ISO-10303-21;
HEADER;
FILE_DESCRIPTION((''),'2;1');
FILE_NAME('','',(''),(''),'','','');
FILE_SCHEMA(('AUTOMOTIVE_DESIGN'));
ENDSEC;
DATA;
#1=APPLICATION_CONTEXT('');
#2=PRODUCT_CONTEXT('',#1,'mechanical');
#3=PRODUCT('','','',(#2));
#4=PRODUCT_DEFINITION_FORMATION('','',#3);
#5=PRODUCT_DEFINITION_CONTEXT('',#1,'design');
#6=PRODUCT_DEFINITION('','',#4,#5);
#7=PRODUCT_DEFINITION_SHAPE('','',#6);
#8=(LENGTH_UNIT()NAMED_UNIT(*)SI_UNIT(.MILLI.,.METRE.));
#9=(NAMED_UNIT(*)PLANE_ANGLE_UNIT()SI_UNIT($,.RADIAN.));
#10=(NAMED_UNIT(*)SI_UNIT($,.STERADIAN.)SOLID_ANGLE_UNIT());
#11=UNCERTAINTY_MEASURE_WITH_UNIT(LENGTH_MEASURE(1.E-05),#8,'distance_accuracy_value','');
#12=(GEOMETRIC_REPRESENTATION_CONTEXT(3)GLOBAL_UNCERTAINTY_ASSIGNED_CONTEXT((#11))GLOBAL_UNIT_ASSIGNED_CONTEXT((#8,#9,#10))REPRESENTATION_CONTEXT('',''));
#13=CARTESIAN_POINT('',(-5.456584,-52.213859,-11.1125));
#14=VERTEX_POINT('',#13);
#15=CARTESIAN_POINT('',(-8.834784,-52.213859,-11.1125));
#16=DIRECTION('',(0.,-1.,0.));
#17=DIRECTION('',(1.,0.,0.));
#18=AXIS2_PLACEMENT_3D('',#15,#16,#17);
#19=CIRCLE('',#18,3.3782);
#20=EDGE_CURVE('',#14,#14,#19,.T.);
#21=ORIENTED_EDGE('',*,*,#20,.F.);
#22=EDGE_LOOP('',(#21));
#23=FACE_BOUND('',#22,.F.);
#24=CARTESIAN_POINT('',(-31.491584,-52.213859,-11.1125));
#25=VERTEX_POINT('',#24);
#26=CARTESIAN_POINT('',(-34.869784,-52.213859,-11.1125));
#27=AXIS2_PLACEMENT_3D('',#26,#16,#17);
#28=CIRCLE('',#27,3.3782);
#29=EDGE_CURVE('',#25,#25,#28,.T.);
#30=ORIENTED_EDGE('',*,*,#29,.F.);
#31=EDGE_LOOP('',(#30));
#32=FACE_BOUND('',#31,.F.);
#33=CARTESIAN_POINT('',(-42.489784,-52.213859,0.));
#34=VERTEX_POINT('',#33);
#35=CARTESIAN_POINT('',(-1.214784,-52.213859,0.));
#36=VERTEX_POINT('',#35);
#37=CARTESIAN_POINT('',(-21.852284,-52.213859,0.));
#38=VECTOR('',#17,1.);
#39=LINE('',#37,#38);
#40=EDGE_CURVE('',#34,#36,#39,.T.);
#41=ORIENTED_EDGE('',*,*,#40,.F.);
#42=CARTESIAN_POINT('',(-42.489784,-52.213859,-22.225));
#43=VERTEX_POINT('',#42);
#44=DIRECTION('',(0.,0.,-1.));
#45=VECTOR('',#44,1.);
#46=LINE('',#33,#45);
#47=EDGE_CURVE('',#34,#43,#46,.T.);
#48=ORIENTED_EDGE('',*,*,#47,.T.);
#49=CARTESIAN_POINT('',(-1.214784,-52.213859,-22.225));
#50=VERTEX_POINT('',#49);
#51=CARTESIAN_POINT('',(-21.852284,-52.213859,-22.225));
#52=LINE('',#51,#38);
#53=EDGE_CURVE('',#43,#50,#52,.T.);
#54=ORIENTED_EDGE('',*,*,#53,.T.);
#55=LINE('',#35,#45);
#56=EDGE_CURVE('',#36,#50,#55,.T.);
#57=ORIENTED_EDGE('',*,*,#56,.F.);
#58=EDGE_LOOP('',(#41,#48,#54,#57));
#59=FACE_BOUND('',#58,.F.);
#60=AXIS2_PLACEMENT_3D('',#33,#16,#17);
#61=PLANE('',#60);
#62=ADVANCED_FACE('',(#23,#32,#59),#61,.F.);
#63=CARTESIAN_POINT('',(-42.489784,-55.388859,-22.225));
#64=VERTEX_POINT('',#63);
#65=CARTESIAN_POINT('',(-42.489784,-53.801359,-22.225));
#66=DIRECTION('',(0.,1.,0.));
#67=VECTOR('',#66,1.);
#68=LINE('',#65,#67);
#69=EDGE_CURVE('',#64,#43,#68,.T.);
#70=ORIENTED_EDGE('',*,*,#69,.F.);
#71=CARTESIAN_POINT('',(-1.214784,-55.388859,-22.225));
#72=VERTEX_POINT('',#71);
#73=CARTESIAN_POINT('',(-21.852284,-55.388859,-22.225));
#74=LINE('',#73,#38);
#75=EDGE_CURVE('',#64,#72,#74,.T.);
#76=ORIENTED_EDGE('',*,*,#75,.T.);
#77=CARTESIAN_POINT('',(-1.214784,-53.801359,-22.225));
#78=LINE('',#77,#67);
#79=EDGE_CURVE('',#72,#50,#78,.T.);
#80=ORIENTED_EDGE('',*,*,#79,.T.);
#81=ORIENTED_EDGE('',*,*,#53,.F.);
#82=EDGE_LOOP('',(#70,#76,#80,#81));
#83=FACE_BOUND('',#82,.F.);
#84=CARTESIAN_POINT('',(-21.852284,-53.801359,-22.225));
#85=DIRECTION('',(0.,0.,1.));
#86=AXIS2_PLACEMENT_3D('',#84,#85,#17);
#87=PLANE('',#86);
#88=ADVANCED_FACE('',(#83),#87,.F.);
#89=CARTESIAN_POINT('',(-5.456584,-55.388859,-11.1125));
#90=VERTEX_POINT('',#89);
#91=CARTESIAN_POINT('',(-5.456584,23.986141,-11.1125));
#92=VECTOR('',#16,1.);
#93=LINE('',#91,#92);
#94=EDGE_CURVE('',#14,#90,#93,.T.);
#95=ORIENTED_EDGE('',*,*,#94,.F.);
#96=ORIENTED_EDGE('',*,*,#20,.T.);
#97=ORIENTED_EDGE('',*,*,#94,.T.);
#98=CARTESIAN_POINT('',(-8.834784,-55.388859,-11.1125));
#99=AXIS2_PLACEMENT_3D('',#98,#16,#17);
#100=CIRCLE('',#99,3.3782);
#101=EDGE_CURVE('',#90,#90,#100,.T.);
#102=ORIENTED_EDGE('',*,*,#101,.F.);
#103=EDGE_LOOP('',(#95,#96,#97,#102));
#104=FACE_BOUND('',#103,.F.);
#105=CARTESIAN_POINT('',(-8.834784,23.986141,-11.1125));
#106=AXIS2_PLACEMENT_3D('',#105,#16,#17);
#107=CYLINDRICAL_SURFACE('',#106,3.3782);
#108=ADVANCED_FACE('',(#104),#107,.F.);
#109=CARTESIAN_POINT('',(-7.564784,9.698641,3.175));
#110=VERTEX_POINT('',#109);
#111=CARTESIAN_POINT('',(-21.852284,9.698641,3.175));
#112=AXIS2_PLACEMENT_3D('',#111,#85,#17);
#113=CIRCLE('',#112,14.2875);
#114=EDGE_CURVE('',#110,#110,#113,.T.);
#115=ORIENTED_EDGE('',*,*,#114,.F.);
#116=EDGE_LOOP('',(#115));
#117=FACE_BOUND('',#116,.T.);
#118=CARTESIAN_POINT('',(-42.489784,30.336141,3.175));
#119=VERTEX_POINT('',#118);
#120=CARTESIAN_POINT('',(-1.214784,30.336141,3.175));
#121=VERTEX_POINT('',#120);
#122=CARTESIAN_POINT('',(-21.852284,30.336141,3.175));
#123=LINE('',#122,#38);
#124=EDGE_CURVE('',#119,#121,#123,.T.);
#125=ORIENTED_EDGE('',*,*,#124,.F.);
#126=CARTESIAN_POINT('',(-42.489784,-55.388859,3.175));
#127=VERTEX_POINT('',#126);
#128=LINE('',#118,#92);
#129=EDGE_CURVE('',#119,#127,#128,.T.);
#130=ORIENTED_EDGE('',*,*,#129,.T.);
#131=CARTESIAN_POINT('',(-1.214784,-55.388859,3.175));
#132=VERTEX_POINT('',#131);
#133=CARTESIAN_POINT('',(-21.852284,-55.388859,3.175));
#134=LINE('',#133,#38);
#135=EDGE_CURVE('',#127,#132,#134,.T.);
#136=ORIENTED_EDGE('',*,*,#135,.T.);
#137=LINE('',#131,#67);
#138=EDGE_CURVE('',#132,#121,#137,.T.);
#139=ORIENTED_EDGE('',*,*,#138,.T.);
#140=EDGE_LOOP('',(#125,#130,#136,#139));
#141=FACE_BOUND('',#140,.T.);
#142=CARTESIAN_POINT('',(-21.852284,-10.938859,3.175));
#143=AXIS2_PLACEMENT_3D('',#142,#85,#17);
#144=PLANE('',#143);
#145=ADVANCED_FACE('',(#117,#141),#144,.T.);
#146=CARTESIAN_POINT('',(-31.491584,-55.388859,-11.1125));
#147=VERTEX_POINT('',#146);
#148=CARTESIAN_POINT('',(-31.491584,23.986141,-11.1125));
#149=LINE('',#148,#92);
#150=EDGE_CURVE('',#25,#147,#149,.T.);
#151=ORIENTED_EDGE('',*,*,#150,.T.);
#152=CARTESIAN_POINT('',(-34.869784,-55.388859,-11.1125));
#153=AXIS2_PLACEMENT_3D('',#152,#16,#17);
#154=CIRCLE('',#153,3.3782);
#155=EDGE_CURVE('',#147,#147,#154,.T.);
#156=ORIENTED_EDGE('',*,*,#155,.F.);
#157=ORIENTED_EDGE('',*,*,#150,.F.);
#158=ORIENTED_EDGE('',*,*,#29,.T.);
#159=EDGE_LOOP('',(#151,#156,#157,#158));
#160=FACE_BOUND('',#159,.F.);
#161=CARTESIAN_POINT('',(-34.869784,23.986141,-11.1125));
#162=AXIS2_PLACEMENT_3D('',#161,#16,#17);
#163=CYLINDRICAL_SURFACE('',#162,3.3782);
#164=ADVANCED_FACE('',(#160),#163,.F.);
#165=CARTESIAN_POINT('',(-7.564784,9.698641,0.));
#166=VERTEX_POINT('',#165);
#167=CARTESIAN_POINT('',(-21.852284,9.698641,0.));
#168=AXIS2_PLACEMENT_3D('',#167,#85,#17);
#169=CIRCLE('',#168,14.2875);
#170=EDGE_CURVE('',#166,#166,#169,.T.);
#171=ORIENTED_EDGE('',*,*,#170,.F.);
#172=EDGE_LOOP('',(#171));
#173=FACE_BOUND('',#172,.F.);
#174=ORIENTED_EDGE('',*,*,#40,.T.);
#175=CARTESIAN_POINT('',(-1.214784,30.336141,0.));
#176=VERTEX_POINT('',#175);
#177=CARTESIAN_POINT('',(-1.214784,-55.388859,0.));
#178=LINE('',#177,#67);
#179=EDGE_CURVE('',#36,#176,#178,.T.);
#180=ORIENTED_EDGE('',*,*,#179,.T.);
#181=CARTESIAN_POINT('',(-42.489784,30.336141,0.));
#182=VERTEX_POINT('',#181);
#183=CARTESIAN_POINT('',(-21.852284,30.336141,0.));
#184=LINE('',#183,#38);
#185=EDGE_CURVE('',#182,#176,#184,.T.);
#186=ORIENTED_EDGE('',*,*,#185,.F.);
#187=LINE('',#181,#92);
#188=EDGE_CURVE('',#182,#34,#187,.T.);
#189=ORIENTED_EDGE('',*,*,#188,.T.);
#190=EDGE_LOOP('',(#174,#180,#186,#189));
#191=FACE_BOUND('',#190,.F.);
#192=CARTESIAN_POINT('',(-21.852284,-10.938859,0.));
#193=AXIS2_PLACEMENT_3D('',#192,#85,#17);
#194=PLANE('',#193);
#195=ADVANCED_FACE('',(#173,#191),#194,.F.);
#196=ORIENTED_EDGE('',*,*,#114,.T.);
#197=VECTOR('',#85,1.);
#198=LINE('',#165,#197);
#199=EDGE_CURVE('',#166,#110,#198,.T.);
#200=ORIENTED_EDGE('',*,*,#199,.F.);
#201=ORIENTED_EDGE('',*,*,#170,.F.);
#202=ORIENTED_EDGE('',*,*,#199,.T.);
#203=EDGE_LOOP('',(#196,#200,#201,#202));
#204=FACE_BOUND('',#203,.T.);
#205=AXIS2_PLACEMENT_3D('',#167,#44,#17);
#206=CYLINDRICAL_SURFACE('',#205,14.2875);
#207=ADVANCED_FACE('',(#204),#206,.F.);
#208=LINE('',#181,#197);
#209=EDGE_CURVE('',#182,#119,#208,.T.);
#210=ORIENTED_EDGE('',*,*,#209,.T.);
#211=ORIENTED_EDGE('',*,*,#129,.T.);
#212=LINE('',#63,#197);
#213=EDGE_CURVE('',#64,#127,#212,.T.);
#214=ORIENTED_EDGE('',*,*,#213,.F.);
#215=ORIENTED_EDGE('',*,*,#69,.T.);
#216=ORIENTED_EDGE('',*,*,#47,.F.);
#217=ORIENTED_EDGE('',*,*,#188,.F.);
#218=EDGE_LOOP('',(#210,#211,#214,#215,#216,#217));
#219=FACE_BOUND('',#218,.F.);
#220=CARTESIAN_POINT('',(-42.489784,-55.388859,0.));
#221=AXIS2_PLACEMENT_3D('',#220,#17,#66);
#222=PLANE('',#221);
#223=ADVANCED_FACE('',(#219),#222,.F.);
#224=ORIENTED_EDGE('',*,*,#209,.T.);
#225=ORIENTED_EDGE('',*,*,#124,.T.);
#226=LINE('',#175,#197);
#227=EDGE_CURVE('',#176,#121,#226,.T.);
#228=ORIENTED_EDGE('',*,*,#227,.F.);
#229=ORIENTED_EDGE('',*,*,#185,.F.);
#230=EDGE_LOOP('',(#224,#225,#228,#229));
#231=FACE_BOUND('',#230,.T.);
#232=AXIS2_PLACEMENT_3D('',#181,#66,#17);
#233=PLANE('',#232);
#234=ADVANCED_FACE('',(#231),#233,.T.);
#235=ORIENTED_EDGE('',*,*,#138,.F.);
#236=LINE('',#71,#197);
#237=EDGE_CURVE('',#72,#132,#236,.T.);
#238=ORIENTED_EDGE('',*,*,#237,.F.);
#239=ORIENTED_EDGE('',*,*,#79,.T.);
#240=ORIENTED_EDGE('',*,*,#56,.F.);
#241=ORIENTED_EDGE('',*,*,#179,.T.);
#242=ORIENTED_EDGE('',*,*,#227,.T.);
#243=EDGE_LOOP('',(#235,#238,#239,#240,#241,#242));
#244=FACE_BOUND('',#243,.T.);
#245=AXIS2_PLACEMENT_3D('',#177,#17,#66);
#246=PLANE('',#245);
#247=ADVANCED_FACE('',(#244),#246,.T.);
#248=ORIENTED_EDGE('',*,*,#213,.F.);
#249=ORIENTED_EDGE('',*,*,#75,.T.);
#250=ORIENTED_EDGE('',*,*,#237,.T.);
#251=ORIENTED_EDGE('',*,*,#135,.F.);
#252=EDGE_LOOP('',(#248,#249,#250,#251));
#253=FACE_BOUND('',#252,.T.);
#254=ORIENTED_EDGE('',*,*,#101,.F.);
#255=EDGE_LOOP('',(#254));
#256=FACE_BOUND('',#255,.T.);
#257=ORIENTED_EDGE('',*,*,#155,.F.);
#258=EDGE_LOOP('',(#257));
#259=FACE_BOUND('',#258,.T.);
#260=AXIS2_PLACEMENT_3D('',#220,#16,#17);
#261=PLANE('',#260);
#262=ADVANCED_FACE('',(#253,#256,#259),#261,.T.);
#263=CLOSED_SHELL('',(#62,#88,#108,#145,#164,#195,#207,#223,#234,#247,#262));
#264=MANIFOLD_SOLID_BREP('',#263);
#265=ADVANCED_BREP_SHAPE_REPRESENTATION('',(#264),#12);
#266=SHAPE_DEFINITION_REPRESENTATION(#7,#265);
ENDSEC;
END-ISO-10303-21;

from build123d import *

# Parameters (mm, degrees)
F0_W     = 41.275
F0_H     = 82.55
F0_R     = 14.2875
F0_H_2   = 3.175
F1_DEPTH = 3.175
F2_DEPTH = 22.225
F4_D     = 6.7564
F4_DEPTH = 76.2
F4_TIP   = 2.0298273432


with BuildPart() as f1:
    # F0 (on Top) → F1 (new body)
    with BuildSketch(Plane.XY):
        with Locations((-21.8522840129, -10.9388585212)):
            Rectangle(F0_W, F0_H)
        with Locations((-21.8522840129, 9.6986414788)):
            Circle(F0_R, mode=Mode.SUBTRACT)
        with Locations((-21.8522840129, -53.8013585212)):
            Rectangle(F0_W, F0_H_2)
    extrude(amount=F1_DEPTH)

    # F0 (on Top) → F2 (join)
    with BuildSketch(Plane.XY):
        with Locations((-21.8522840129, -53.8013585212)):
            Rectangle(F0_W, F0_H_2)
    extrude(amount=-F2_DEPTH)

    # F4
    with Locations(Plane(origin=(0, -52.2138585212, 0), x_dir=(-1, 0, 0), z_dir=(0, 1, 0))):
        with Locations((8.8347840129, -11.1125), (34.8697840129, -11.1125)):
            Hole(F4_D / 2, depth=F4_DEPTH)
            with Locations((0, 0, -(F4_DEPTH + F4_TIP / 2))):  # 118° drill point
                Cone(0, F4_D / 2, F4_TIP, mode=Mode.SUBTRACT)


solid = f1.part
